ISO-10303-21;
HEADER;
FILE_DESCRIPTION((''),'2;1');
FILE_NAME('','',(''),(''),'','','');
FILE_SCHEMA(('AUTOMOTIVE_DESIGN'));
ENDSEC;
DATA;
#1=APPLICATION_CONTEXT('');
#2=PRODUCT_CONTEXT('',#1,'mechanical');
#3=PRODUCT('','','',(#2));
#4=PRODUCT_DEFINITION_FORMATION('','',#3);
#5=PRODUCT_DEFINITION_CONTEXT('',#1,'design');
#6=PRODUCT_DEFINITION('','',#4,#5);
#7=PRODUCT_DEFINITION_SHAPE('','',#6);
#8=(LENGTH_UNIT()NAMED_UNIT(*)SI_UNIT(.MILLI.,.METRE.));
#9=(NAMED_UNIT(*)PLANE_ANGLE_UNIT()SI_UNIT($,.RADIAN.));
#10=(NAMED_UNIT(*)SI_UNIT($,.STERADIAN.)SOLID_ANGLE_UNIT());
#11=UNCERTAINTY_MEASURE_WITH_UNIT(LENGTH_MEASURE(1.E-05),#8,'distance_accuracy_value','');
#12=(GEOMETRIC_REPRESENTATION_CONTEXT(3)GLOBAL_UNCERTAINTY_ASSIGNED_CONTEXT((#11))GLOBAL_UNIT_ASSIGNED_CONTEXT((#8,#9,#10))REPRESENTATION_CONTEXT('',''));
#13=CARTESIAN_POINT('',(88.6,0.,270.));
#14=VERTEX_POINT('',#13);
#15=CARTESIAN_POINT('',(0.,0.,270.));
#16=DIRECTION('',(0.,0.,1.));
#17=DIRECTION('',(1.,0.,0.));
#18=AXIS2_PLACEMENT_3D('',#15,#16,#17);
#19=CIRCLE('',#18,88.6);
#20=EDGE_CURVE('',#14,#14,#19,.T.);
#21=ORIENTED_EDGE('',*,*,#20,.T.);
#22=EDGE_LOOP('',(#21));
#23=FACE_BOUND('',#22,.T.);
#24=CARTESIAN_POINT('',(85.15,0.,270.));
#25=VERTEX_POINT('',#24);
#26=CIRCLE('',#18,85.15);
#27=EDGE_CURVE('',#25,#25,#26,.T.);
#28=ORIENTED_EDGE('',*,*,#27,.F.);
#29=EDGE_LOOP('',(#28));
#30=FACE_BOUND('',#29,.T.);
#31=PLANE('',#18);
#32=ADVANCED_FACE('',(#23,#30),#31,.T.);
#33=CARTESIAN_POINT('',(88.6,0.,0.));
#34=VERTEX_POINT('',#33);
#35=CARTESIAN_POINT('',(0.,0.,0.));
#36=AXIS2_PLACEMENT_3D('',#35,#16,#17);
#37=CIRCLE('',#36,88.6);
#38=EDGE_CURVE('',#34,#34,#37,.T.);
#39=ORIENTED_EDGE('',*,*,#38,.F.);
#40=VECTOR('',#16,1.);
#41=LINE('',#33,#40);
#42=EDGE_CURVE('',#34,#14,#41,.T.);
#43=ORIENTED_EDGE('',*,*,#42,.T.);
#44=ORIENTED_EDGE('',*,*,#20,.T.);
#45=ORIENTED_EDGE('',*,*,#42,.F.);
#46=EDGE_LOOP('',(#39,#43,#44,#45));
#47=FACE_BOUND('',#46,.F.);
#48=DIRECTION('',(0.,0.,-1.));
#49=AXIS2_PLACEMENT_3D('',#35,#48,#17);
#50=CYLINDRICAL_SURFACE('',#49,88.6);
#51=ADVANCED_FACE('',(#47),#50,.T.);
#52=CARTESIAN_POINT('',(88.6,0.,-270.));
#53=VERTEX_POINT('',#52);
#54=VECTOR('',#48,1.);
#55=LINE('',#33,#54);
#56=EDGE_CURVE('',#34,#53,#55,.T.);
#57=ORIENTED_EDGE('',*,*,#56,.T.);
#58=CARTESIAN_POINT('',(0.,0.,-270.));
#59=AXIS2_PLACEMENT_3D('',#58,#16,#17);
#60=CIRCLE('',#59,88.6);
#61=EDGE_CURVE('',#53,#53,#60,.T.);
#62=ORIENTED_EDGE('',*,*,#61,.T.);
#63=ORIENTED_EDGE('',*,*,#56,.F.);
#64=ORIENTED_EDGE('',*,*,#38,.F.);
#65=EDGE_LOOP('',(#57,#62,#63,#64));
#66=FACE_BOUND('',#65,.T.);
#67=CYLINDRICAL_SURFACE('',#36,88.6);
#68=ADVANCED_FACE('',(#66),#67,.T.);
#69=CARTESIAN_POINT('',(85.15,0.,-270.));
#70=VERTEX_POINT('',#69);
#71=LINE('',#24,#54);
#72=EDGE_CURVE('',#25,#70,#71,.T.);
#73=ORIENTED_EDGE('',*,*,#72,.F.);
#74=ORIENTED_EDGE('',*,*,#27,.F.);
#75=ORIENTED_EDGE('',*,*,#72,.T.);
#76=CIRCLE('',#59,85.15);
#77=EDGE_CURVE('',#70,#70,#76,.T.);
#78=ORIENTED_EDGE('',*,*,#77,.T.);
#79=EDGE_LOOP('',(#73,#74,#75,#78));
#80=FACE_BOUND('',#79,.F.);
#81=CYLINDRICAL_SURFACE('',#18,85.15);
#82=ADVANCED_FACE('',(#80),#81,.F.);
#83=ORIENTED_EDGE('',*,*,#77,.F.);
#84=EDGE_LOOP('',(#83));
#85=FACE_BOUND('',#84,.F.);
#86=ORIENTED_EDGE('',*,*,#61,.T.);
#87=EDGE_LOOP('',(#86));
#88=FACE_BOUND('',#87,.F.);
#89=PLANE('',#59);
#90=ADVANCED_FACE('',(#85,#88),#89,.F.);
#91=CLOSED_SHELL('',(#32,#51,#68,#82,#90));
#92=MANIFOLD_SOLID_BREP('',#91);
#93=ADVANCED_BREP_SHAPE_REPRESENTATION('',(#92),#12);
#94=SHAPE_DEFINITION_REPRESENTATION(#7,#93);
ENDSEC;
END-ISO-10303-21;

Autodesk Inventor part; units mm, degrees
ref_plane "YZ Plane" through (0, 0, 0) normal (1, 0, 0) x (0, 1, 0)
ref_plane "XZ Plane" through (0, 0, 0) normal (0, 1, 0) x (-1, 0, 0)
ref_plane "XY Plane" through (0, 0, 0) normal (0, 0, 1) x (1, 0, 0)
sketch "Sketch1" plane through (0, 0, 0) normal (0, 0, 1) x (1, 0, 0)
  circle A0 centre (0, 0) radius 88.6
  dimension "d0" = 177.2
extrude "Extrusion1" add sketch "Sketch1" along normal mid plane 540
sketch "Sketch2" plane through (0, 0, 270) normal (0, 0, 1) x (1, 0, 0)
  circle A0 centre (0, 0) radius 85.15
  dimension "d3" = 170.3
extrude "Extrusion2" cut sketch "Sketch2" against normal through all
properties part number "ALPHA-II-CT"
